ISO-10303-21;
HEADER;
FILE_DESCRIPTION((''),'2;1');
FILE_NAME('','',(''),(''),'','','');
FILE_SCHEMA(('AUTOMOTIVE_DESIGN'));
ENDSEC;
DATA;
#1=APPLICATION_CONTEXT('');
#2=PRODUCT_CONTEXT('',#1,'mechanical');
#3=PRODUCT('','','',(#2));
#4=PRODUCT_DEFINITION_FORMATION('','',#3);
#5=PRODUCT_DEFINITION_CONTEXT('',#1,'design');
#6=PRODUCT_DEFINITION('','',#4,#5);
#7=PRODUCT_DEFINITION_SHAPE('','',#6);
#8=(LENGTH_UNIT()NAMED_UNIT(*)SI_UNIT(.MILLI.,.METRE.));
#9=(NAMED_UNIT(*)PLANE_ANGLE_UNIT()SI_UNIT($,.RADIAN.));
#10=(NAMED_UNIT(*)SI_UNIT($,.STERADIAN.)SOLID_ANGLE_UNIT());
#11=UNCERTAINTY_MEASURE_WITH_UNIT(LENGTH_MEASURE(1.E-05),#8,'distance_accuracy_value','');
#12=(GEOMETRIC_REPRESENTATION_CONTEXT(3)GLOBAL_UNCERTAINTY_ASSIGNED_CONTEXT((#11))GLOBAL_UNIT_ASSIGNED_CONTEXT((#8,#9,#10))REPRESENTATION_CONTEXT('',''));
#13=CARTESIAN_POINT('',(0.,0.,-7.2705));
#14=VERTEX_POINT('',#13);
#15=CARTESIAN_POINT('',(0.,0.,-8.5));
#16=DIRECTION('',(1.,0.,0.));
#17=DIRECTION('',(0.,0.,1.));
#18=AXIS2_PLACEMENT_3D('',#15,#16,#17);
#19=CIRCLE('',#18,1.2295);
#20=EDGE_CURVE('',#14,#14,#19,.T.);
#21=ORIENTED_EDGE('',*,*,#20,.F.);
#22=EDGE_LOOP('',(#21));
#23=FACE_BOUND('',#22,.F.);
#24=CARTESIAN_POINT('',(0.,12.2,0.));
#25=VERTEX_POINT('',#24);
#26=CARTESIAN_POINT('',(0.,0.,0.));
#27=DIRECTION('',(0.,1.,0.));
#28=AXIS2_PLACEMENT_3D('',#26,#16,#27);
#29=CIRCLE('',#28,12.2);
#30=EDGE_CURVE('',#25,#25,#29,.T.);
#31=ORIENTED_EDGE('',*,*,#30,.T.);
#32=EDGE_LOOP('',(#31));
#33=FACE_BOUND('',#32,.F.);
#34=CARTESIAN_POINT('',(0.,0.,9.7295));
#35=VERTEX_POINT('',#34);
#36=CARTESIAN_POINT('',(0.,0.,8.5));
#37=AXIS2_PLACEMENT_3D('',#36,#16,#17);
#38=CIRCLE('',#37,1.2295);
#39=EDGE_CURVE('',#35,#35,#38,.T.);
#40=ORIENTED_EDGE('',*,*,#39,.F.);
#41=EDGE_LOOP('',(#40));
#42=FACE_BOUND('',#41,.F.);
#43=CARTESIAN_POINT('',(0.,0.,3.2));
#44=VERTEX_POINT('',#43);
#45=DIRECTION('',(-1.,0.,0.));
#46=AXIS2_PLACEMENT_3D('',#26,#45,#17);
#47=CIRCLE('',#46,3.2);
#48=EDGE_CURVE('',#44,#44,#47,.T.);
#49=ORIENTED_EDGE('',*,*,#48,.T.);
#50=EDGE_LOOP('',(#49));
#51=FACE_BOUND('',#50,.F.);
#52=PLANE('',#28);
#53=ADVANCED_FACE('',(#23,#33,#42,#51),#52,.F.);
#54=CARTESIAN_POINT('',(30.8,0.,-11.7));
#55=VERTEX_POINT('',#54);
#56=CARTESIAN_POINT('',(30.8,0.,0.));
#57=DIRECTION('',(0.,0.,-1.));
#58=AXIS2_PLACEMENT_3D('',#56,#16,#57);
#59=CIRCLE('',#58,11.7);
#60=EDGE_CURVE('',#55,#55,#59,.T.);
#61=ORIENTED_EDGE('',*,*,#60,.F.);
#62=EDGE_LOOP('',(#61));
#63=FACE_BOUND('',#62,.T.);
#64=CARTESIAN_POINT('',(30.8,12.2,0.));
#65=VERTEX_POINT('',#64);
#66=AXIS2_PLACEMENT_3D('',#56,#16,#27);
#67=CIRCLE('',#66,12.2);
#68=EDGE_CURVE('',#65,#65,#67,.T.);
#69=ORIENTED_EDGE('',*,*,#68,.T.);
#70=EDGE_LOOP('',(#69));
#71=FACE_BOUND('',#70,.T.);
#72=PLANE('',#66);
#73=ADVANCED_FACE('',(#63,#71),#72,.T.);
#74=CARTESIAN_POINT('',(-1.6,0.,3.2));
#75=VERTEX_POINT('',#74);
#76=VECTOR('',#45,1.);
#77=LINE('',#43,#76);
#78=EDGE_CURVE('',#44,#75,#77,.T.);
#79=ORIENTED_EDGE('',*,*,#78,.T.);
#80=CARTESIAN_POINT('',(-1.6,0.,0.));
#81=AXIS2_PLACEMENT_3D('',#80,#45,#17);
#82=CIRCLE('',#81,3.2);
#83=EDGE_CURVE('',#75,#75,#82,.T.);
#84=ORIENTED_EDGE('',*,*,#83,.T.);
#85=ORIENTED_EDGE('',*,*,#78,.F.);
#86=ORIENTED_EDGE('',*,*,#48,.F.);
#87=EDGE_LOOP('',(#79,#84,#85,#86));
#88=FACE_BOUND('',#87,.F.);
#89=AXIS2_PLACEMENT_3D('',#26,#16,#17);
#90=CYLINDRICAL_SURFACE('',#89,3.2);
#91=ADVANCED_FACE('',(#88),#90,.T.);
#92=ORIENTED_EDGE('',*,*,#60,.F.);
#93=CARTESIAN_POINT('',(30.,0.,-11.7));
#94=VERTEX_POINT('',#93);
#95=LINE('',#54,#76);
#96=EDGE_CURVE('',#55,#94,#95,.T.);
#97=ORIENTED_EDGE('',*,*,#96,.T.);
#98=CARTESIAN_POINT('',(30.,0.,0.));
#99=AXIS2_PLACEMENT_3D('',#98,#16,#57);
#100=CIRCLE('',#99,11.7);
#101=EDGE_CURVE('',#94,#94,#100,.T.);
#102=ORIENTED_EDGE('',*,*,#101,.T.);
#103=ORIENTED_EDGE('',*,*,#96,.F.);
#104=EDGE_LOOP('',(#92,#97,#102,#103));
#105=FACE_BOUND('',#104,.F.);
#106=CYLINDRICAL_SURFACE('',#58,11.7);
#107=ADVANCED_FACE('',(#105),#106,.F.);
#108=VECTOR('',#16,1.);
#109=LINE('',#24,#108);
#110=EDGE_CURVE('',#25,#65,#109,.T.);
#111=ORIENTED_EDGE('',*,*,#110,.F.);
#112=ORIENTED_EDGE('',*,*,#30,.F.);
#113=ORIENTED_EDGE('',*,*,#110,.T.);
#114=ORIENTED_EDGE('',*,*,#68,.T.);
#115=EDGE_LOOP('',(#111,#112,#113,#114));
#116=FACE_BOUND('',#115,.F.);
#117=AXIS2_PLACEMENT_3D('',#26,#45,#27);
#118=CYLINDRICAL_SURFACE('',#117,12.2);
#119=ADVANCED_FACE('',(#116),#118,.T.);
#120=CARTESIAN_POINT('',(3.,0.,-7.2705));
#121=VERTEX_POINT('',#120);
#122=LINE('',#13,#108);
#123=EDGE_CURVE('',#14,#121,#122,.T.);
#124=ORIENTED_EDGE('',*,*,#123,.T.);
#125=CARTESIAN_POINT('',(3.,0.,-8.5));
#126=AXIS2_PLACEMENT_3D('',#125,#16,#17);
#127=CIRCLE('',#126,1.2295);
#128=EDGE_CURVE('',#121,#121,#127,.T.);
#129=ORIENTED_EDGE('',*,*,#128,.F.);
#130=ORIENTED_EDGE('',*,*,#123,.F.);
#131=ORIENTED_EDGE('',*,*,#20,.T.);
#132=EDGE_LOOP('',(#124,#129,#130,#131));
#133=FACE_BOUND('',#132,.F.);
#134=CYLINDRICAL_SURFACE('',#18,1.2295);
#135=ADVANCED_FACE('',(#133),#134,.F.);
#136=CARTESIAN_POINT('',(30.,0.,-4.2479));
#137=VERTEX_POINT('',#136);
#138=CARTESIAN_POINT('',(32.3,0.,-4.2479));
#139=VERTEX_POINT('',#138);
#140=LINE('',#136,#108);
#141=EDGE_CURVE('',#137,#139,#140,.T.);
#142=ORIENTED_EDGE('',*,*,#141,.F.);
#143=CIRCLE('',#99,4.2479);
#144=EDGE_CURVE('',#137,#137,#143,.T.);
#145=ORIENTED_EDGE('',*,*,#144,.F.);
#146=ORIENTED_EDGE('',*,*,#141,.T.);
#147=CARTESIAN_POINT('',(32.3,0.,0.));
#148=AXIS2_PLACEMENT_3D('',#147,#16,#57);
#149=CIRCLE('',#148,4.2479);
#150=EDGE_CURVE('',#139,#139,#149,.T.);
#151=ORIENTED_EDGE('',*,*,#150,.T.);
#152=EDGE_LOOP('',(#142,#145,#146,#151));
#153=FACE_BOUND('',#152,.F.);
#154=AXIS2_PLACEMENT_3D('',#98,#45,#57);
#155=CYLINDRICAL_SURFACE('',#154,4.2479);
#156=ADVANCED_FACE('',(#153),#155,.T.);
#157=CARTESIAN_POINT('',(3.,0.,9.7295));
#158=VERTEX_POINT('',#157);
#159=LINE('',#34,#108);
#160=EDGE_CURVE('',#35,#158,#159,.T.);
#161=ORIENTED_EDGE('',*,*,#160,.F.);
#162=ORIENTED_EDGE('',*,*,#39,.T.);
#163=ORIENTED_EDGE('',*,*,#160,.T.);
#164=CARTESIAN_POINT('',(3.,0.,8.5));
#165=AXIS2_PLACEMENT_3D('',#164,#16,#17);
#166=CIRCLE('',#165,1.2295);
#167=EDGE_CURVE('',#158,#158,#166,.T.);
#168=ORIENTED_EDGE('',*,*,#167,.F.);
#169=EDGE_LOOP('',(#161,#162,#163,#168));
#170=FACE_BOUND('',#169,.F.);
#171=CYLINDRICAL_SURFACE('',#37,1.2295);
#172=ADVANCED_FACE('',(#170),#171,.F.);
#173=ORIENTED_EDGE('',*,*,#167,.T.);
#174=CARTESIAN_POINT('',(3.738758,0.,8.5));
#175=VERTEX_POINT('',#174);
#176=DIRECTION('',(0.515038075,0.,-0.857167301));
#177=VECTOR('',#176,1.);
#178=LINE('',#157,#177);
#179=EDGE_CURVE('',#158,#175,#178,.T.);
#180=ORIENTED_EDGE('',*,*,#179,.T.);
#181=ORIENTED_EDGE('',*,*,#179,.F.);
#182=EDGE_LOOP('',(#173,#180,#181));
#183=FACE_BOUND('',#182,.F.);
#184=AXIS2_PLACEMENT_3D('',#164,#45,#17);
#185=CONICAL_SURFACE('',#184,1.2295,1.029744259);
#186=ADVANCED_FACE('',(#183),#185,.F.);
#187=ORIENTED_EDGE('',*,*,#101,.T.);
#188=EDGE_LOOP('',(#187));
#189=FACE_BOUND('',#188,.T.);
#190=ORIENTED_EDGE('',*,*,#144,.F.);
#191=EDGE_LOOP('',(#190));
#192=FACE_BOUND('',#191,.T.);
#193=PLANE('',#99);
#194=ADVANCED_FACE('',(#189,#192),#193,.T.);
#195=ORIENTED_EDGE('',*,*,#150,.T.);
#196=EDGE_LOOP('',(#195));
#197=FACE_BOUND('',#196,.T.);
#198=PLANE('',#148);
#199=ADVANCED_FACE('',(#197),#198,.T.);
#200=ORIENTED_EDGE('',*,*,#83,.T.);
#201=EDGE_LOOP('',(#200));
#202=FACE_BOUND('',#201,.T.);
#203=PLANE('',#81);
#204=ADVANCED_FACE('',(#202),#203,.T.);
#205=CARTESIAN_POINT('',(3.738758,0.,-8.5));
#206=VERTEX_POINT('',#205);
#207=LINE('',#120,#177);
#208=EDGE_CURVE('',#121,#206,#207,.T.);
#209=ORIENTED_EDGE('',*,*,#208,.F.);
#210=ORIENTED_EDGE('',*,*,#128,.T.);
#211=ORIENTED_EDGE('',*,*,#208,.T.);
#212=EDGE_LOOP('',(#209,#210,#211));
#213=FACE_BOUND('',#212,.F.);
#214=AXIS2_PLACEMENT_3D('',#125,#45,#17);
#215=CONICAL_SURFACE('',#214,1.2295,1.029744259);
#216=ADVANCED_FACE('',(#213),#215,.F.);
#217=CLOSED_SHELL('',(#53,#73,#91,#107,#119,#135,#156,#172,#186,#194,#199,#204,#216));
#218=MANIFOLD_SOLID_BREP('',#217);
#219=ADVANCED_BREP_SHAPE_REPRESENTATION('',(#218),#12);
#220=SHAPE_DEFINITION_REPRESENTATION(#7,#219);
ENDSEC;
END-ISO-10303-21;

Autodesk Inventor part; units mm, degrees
ref_plane "YZ Plane" through (0, 0, 0) normal (1, 0, 0) x (0, 1, 0)
ref_plane "XZ Plane" through (0, 0, 0) normal (0, 1, 0) x (-1, 0, 0)
ref_plane "XY Plane" through (0, 0, 0) normal (0, 0, 1) x (1, 0, 0)
sketch "Szkic1" plane through (0, 0, 0) normal (1, 0, 0) x (0, 1, 0)
  circle A0 centre (0, 0) radius 12.2
  dimension "d0" = 24.4
extrude "Wyciągnięcie proste1" add sketch "Szkic1" along normal blind 30.8
sketch "Szkic2" plane through (30.8, 0, 0) normal (1, 0, 0) x (0, 0, -1)
  circle A0 centre (0, 0) radius 11.7
  dimension "d3" = 23.4
extrude "Wyciągnięcie proste2" cut sketch "Szkic2" against normal blind 0.8
sketch "Szkic3" plane through (30, 0, 0) normal (1, 0, 0) x (0, 0, -1)
  circle A0 centre (0, 0) radius 4.2479
extrude "Wyciągnięcie proste3" add sketch "Szkic3" along normal blind 2.3
sketch "Szkic4" plane through (0, 0, 0) normal (-1, 0, 0) x (0, 0, 1)
  line L0 (0, 0) -> (8.5, 0) construction
  line L1 (0, 0) -> (-8.5, 0) construction
  dimension "d8" = 8.5
hole "Otwór1" at (0, 0, 8.5) at (0, 0, -8.5) direction (1, 0, 0) diameter 2.459 depth 3 tip angle 118 thread size "M3x0.5" class "6H" standard "ISO Metric profile"
sketch "Szkic5" plane through (0, 0, 0) normal (-1, 0, 0) x (0, 0, 1)
  circle A0 centre (0, 0) radius 3.2
  dimension "d16" = 6.4
extrude "Wyciągnięcie proste4" add sketch "Szkic5" along normal blind 1.6
properties part number "Silnik"
